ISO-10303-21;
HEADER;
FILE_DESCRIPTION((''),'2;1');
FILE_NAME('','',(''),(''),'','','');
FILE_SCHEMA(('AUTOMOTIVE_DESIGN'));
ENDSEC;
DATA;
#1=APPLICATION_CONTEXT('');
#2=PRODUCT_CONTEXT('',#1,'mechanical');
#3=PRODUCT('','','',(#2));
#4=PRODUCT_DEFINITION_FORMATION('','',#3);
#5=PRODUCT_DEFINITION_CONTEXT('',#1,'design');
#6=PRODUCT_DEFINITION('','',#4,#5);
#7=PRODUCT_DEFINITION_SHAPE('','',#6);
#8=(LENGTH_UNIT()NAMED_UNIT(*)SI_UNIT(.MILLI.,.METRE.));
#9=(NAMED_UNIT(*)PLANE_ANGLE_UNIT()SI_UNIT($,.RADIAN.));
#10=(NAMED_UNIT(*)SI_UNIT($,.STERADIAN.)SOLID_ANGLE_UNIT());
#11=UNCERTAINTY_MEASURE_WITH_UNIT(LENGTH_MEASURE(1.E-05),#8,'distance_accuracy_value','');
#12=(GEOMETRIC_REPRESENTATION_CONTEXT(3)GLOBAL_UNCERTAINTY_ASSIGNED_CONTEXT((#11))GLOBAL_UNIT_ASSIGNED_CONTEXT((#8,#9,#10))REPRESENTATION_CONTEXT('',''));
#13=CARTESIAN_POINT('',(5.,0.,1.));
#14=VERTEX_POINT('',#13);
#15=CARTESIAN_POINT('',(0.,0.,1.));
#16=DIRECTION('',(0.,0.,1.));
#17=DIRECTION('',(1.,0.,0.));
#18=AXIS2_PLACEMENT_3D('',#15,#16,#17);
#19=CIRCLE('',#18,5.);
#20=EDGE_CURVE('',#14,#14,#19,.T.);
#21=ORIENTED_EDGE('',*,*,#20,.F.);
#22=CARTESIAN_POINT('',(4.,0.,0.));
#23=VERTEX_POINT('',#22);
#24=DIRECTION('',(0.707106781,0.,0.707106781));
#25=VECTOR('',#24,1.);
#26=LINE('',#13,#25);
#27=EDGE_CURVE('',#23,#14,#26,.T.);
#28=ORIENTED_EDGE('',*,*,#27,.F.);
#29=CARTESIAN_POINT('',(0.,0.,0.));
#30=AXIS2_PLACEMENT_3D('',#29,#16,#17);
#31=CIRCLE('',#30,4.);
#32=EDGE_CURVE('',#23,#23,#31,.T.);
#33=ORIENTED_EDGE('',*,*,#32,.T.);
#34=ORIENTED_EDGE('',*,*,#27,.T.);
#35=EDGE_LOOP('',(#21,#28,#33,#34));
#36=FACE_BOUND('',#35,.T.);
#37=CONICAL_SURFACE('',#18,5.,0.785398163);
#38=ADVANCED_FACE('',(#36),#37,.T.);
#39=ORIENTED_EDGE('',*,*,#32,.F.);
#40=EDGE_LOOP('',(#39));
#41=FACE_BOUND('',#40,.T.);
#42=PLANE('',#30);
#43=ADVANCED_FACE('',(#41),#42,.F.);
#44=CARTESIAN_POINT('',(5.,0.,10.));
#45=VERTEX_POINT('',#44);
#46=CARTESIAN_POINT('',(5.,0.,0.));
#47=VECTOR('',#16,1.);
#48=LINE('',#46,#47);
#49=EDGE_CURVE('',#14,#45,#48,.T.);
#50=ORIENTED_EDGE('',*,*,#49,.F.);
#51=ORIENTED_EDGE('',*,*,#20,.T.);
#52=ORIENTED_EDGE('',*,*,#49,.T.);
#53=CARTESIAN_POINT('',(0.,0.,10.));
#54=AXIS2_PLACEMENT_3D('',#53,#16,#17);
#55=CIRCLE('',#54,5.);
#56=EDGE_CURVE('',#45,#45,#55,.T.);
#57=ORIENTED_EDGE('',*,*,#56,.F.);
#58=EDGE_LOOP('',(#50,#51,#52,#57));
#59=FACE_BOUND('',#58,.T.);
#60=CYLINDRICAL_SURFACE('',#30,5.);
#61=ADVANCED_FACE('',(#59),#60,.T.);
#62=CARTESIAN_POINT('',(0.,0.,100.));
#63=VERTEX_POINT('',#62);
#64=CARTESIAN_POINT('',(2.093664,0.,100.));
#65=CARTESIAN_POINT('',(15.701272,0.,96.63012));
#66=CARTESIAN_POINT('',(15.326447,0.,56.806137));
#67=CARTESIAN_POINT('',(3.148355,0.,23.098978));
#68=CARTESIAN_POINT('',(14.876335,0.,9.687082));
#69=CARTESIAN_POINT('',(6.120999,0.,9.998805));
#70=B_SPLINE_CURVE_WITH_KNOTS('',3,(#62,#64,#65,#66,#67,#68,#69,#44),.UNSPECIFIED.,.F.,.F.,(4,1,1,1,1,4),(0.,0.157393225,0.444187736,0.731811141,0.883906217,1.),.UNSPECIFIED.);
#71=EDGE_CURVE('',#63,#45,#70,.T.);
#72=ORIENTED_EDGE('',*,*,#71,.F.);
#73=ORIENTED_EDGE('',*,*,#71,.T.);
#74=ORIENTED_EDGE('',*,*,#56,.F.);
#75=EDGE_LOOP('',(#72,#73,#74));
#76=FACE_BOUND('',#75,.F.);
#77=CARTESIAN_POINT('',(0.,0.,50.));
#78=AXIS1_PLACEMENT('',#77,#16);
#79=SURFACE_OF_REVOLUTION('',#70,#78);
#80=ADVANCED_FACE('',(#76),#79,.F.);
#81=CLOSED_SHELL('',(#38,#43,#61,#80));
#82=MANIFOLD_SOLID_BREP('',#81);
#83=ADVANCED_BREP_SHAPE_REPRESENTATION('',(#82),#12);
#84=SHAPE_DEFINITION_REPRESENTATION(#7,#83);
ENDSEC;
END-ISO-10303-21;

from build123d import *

# Parameters (mm, degrees)
F2_SIZE = 1


with BuildPart() as f1:
    # F0 (on Front) → F1 (revolve)
    with BuildSketch(Plane.XZ):
        with BuildLine():
            Line((0, 100), (0, 0))
            Line((0, 0), (5, 0))
            Line((5, 0), (5, 10))
            add(Edge.make_bspline(
                [(0, 100), (2.0936639425, 100), (15.7012716824, 96.6301200584), (15.3264468089, 56.8061373411), (3.1483549411, 23.0989782648), (14.8763347644, 9.6870815494), (6.1209994919, 9.9988050649), (5, 10)],
                knots=[0, 0, 0, 0, 0.1573932248, 0.4441877358, 0.7318111412, 0.8839062175, 1, 1, 1, 1], degree=3))
        make_face()
    revolve(axis=Axis((0, 0, 50), (0, 0, 1)))

    # F2
    f2_edges = [f1.edges().sort_by_distance(p)[0] for p in [
        (-5, 0, 0),
    ]]
    chamfer(f2_edges, length=F2_SIZE)


solid = f1.part
